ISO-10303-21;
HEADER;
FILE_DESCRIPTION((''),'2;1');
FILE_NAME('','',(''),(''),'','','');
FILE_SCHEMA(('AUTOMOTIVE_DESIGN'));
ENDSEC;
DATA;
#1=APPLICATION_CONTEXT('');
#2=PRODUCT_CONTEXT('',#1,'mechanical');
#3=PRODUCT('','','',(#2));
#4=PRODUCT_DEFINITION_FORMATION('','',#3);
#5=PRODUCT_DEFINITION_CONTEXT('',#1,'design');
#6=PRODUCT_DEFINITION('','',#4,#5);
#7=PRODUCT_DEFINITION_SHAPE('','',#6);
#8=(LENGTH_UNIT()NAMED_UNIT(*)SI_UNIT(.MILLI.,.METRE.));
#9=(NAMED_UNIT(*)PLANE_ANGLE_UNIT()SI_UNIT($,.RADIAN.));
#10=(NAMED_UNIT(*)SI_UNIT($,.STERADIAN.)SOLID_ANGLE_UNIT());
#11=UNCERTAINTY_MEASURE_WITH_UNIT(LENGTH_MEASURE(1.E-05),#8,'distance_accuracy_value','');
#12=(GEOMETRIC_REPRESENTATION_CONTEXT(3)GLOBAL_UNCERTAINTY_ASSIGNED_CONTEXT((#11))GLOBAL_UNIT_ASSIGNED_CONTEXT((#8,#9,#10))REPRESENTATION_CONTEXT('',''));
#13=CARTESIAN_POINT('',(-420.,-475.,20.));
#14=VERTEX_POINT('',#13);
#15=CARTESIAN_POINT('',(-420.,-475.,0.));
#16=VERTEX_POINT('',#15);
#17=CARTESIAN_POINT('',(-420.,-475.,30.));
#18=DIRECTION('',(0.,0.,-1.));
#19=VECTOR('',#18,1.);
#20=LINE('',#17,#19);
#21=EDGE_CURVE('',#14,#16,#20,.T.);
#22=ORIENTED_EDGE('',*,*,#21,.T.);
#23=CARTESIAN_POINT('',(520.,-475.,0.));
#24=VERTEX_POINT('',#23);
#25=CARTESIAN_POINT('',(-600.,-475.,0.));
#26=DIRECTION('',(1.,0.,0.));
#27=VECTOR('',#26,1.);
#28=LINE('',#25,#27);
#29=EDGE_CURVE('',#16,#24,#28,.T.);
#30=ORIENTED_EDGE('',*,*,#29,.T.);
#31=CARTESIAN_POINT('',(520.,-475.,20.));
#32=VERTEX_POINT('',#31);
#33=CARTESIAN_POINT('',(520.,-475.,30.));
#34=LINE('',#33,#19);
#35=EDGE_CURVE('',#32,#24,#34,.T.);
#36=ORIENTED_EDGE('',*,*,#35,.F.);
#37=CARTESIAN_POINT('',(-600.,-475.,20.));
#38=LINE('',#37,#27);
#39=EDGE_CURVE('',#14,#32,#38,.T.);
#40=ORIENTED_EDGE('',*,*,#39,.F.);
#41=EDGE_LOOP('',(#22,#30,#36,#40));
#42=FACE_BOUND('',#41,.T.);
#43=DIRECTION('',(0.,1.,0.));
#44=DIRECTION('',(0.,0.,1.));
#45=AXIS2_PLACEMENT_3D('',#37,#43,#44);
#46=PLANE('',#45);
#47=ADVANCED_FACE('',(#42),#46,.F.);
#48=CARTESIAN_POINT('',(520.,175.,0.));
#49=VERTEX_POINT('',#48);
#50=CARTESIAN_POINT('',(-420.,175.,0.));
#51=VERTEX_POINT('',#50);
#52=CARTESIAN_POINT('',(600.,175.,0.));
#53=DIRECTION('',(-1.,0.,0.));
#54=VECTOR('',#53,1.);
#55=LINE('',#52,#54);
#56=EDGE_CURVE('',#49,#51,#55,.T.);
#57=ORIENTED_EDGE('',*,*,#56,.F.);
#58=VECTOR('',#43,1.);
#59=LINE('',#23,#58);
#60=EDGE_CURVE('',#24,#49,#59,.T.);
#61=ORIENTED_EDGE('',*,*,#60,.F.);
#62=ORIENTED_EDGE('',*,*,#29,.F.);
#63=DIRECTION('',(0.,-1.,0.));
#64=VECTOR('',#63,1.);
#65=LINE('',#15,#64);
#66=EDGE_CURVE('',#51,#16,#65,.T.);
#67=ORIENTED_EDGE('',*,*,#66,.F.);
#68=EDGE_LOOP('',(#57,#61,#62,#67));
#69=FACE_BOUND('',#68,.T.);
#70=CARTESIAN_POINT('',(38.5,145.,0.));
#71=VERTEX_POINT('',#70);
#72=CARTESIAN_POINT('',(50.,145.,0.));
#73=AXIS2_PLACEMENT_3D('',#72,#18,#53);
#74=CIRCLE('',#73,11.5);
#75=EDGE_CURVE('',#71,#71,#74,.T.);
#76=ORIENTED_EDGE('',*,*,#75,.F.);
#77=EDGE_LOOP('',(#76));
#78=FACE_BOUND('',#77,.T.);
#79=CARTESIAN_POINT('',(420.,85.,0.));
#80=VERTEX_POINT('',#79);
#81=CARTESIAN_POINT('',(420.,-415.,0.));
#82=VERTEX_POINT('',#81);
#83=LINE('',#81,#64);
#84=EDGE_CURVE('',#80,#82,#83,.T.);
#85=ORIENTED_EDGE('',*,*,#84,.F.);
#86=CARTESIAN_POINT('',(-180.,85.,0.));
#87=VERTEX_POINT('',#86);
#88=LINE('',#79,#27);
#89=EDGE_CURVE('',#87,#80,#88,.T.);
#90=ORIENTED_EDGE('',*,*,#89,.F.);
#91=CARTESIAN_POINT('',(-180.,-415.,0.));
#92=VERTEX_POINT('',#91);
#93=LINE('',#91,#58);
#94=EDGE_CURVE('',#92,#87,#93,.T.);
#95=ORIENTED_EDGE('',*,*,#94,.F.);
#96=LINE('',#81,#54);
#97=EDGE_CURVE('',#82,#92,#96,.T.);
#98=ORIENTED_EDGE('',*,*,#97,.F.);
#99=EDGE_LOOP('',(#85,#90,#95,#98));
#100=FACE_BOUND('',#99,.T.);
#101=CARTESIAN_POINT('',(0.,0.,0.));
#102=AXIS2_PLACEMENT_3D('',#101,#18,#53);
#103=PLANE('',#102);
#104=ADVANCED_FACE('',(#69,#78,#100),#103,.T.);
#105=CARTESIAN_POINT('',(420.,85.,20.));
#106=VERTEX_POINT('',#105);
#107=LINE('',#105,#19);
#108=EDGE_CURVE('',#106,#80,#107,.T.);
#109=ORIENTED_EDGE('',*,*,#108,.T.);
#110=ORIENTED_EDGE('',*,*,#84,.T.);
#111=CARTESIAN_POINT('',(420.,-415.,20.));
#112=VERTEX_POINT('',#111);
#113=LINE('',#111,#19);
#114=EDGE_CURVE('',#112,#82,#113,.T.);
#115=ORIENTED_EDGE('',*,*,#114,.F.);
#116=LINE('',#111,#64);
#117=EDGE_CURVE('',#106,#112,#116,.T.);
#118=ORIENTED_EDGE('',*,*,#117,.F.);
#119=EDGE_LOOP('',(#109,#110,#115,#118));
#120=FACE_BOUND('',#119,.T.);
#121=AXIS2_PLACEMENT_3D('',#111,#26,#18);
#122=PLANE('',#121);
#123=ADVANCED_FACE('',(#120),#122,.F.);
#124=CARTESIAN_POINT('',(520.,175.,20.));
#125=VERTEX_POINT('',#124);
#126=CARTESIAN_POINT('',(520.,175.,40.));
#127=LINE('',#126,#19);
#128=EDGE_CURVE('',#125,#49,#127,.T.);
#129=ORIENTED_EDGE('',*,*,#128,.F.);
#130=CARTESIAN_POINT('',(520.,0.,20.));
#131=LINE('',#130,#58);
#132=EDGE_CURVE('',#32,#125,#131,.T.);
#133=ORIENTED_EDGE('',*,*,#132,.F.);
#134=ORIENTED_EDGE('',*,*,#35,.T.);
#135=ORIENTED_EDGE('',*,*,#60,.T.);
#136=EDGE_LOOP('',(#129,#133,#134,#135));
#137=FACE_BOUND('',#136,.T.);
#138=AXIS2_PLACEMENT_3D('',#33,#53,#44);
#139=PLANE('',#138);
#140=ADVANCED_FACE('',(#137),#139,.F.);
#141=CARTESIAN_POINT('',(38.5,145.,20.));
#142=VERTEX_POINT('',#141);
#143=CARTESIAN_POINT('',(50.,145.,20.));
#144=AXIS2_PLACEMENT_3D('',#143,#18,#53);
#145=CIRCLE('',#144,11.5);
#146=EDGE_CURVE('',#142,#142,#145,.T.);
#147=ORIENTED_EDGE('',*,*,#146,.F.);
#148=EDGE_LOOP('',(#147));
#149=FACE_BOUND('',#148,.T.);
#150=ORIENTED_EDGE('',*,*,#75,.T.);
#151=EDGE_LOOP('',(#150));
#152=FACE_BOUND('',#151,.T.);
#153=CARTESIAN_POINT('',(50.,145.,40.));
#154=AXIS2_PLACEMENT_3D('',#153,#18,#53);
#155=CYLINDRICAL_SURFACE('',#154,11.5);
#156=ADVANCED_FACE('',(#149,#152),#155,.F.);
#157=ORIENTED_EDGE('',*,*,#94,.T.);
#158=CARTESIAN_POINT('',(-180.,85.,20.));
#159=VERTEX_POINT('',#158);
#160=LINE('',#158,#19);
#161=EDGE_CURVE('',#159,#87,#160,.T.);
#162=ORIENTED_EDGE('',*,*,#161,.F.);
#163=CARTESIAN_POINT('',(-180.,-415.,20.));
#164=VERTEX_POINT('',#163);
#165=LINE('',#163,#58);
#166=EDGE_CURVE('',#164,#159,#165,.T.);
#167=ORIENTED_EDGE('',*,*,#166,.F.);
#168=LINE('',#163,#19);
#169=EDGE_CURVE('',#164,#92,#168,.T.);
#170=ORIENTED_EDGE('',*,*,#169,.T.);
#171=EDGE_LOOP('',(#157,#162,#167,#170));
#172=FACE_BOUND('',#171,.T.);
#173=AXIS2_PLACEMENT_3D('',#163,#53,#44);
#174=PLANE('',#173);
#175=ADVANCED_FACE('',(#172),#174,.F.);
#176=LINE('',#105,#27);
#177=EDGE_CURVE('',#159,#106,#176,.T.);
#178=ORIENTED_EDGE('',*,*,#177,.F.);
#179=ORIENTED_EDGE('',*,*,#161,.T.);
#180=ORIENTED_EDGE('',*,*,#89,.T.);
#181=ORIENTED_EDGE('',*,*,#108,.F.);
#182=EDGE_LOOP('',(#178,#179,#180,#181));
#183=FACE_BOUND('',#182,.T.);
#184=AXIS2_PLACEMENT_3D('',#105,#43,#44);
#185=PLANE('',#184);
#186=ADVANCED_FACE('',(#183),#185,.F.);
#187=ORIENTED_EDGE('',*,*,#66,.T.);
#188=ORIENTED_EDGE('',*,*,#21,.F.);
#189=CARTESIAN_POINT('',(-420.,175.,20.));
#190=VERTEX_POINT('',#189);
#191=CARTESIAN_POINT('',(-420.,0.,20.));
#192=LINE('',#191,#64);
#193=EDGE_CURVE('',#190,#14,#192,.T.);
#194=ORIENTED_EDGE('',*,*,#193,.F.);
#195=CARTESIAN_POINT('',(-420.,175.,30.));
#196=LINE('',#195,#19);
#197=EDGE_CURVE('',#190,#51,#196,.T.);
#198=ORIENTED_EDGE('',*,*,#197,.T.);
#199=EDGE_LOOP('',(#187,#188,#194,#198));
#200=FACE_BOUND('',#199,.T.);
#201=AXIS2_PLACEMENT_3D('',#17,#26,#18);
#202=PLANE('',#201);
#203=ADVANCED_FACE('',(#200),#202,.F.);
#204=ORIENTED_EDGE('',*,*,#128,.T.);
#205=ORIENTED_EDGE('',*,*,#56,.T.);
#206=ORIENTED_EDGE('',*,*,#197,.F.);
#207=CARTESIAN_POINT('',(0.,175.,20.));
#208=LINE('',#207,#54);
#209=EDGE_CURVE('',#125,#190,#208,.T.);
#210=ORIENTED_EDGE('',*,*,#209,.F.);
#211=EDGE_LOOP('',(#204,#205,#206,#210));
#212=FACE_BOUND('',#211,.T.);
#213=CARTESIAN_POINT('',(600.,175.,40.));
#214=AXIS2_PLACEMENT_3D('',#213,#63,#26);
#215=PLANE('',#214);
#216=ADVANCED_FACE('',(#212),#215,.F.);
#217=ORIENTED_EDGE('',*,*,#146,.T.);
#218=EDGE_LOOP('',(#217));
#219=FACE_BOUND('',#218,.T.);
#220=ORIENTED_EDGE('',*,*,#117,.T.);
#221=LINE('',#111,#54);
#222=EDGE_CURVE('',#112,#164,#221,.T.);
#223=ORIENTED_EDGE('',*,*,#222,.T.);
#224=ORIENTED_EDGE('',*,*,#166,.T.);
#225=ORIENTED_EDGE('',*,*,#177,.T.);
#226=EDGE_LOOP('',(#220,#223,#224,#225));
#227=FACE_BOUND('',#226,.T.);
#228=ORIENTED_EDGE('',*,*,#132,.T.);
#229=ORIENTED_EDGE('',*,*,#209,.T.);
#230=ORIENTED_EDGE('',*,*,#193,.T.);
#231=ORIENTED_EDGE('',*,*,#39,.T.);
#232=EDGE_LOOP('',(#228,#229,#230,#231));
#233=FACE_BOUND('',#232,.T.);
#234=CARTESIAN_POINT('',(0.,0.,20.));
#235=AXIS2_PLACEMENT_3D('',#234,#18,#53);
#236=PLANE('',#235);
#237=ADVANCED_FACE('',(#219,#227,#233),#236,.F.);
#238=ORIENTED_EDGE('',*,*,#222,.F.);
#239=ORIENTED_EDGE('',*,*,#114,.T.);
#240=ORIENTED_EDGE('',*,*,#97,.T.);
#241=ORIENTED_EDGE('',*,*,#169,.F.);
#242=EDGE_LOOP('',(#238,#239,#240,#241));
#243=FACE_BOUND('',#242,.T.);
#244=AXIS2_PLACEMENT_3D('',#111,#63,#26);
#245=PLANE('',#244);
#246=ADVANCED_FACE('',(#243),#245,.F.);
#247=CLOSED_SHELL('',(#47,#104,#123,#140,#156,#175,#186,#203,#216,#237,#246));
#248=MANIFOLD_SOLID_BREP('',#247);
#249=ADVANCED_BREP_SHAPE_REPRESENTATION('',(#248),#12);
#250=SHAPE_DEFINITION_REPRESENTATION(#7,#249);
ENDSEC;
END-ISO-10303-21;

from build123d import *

# Parameters (mm, degrees)
CROQUIS1_W              = 1200
CROQUIS1_H              = 950
SALIENTE_EXTRUIR1_DEPTH = 20
CROQUIS2_W              = 150
CROQUIS2_H              = 180
CORTAR_EXTRUIR1_DEPTH   = 20
CROQUIS3_W              = 600
CROQUIS3_H              = 500
CORTAR_EXTRUIR2_DEPTH   = 20
CROQUIS5_W              = 1200
CROQUIS5_H              = 300
CORTAR_EXTRUIR4_DEPTH   = 40
CROQUIS4_R              = 11.5
CORTAR_EXTRUIR5_DEPTH   = 40
CROQUIS6_W              = 80
CROQUIS6_H              = 650
CROQUIS6_W_2            = 178
CORTAR_EXTRUIR6_DEPTH   = 30
CROQUIS7_W              = 2
CROQUIS7_H              = 650
CORTAR_EXTRUIR7_DEPTH   = 30


with BuildPart() as part:
    # Croquis1 → Saliente-Extruir1 (new body)
    with BuildSketch(Plane.XY):
        Rectangle(CROQUIS1_W, CROQUIS1_H)
    extrude(amount=SALIENTE_EXTRUIR1_DEPTH)

    # Croquis2 → Cortar-Extruir1 (cut)
    with BuildSketch(Plane.XY.offset(20)):
        with Locations((-200, 355)):
            Rectangle(CROQUIS2_W, CROQUIS2_H)
    extrude(amount=-CORTAR_EXTRUIR1_DEPTH, mode=Mode.SUBTRACT)

    # Croquis3 → Cortar-Extruir2 (cut)
    with BuildSketch(Plane(origin=(0, 0, 0), x_dir=(-1, 0, 0), z_dir=(0, 0, -1))):
        with Locations((-120, -165)):
            Rectangle(CROQUIS3_W, CROQUIS3_H)
    extrude(amount=-CORTAR_EXTRUIR2_DEPTH, mode=Mode.SUBTRACT)

    # Croquis5 → Cortar-Extruir4 (cut)
    with BuildSketch(Plane(origin=(0, 0, 0), x_dir=(-1, 0, 0), z_dir=(0, 0, -1))):
        with Locations((0, 325)):
            Rectangle(CROQUIS5_W, CROQUIS5_H)
    extrude(amount=-CORTAR_EXTRUIR4_DEPTH, mode=Mode.SUBTRACT)

    # Croquis4 → Cortar-Extruir5 (cut)
    with BuildSketch(Plane(origin=(0, 0, 0), x_dir=(-1, 0, 0), z_dir=(0, 0, -1))):
        with Locations((-50, 145)):
            Circle(CROQUIS4_R)
    extrude(amount=-CORTAR_EXTRUIR5_DEPTH, mode=Mode.SUBTRACT)

    # Croquis6 → Cortar-Extruir6 (cut)
    with BuildSketch(Plane(origin=(0, 0, 0), x_dir=(-1, 0, 0), z_dir=(0, 0, -1))):
        with Locations((-560, -150)):
            Rectangle(CROQUIS6_W, CROQUIS6_H)
        with Locations((511, -150)):
            Rectangle(CROQUIS6_W_2, CROQUIS6_H)
    extrude(amount=-CORTAR_EXTRUIR6_DEPTH, mode=Mode.SUBTRACT)

    # Croquis7 → Cortar-Extruir7 (cut)
    with BuildSketch(Plane(origin=(0, 0, 0), x_dir=(-1, 0, 0), z_dir=(0, 0, -1))):
        with Locations((421, -150)):
            Rectangle(CROQUIS7_W, CROQUIS7_H)
    extrude(amount=-CORTAR_EXTRUIR7_DEPTH, mode=Mode.SUBTRACT)


solid = part.part
